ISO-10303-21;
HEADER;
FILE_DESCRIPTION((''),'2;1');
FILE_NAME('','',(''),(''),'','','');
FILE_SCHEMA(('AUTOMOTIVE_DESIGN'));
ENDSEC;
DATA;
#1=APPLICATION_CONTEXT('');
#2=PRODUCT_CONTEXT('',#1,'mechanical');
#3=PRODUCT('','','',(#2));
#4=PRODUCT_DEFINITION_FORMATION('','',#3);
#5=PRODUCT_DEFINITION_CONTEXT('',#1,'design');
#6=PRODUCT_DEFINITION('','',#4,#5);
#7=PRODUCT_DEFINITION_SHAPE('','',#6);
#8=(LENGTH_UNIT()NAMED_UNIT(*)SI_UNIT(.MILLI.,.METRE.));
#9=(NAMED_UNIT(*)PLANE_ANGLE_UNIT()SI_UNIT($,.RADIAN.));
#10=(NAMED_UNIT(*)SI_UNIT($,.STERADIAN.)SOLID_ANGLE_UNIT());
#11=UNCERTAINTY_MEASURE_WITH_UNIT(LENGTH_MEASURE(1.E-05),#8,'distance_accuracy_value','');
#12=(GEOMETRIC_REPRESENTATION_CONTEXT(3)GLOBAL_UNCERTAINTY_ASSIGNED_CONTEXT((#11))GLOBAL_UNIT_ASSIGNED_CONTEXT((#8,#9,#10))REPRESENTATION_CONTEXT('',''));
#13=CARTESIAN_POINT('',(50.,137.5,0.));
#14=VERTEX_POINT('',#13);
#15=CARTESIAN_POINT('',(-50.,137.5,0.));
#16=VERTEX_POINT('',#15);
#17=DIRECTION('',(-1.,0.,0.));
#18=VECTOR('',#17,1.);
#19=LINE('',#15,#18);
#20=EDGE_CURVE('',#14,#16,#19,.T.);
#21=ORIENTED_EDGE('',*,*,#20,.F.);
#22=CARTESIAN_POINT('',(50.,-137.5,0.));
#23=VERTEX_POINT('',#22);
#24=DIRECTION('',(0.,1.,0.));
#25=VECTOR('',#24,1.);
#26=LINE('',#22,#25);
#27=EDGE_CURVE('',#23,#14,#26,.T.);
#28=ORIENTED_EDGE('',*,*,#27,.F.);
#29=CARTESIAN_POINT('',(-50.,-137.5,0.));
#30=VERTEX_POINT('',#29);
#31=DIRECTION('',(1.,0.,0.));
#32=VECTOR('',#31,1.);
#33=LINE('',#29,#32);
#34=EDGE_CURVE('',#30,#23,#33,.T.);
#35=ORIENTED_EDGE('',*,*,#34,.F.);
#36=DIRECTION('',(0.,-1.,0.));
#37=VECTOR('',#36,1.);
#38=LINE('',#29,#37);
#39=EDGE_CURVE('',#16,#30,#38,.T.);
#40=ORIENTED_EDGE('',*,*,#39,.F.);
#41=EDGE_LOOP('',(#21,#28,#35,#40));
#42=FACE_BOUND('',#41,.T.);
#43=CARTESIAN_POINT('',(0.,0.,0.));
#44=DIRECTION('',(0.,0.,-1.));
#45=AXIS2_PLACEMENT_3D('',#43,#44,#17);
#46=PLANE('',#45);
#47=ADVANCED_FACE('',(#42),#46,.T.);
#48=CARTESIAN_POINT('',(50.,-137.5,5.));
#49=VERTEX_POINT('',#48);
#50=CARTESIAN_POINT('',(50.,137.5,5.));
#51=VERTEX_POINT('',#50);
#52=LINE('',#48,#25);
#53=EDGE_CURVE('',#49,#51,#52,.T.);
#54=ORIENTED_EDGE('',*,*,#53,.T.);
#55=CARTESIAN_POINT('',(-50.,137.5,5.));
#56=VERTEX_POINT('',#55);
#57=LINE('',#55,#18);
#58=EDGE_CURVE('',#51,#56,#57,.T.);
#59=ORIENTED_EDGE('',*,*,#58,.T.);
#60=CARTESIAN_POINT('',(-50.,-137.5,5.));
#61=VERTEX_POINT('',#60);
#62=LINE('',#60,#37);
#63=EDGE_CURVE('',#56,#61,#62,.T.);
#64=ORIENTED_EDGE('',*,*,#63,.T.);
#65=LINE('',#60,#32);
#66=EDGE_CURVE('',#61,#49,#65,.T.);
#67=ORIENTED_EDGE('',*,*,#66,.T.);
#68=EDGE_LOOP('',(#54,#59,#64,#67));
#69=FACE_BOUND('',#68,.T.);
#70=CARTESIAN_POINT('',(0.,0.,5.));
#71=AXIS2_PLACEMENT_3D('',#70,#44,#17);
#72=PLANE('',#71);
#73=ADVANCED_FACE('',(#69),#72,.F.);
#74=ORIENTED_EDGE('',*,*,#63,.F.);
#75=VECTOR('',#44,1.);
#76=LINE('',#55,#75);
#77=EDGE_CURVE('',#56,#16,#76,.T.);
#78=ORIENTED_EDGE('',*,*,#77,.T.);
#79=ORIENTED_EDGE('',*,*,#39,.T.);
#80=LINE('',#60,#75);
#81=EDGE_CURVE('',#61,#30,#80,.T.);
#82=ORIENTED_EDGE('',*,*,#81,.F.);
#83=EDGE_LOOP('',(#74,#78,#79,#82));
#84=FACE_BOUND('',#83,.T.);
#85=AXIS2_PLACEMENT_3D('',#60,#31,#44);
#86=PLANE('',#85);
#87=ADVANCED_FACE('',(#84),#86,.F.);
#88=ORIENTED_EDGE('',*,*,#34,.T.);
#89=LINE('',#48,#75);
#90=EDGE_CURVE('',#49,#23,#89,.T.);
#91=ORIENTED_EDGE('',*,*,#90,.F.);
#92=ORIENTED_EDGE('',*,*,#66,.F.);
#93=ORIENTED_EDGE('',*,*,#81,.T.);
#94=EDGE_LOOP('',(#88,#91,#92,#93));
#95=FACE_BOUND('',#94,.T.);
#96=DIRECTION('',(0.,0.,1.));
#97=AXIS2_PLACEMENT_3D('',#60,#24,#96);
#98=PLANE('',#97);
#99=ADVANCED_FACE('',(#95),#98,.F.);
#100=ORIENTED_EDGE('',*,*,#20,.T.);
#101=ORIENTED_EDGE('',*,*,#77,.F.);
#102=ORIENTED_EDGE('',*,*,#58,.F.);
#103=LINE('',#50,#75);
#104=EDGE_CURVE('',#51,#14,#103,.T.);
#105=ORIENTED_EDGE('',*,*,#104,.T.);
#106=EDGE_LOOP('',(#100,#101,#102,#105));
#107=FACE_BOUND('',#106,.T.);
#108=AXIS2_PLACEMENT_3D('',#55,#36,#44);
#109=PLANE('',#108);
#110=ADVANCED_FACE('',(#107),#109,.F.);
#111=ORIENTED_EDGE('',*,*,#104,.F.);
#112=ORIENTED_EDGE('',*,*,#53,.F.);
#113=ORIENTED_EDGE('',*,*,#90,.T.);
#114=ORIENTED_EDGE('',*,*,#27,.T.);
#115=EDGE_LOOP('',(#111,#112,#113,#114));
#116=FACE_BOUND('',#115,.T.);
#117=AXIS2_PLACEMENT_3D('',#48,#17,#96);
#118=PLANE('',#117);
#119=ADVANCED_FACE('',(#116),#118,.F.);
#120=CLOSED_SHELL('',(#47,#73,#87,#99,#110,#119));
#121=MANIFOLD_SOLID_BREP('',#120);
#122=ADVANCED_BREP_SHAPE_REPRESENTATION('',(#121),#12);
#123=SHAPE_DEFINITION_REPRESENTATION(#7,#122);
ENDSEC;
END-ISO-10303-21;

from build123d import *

# Parameters (mm, degrees)
SKETCH_1_W      = 100
SKETCH_1_H      = 275
EXTRUDE_1_DEPTH = 5


with BuildPart() as part:
    # 草图1 → 凸台-拉伸1 (new body)
    with BuildSketch(Plane.XY):
        Rectangle(SKETCH_1_W, SKETCH_1_H)
    extrude(amount=EXTRUDE_1_DEPTH)


solid = part.part
